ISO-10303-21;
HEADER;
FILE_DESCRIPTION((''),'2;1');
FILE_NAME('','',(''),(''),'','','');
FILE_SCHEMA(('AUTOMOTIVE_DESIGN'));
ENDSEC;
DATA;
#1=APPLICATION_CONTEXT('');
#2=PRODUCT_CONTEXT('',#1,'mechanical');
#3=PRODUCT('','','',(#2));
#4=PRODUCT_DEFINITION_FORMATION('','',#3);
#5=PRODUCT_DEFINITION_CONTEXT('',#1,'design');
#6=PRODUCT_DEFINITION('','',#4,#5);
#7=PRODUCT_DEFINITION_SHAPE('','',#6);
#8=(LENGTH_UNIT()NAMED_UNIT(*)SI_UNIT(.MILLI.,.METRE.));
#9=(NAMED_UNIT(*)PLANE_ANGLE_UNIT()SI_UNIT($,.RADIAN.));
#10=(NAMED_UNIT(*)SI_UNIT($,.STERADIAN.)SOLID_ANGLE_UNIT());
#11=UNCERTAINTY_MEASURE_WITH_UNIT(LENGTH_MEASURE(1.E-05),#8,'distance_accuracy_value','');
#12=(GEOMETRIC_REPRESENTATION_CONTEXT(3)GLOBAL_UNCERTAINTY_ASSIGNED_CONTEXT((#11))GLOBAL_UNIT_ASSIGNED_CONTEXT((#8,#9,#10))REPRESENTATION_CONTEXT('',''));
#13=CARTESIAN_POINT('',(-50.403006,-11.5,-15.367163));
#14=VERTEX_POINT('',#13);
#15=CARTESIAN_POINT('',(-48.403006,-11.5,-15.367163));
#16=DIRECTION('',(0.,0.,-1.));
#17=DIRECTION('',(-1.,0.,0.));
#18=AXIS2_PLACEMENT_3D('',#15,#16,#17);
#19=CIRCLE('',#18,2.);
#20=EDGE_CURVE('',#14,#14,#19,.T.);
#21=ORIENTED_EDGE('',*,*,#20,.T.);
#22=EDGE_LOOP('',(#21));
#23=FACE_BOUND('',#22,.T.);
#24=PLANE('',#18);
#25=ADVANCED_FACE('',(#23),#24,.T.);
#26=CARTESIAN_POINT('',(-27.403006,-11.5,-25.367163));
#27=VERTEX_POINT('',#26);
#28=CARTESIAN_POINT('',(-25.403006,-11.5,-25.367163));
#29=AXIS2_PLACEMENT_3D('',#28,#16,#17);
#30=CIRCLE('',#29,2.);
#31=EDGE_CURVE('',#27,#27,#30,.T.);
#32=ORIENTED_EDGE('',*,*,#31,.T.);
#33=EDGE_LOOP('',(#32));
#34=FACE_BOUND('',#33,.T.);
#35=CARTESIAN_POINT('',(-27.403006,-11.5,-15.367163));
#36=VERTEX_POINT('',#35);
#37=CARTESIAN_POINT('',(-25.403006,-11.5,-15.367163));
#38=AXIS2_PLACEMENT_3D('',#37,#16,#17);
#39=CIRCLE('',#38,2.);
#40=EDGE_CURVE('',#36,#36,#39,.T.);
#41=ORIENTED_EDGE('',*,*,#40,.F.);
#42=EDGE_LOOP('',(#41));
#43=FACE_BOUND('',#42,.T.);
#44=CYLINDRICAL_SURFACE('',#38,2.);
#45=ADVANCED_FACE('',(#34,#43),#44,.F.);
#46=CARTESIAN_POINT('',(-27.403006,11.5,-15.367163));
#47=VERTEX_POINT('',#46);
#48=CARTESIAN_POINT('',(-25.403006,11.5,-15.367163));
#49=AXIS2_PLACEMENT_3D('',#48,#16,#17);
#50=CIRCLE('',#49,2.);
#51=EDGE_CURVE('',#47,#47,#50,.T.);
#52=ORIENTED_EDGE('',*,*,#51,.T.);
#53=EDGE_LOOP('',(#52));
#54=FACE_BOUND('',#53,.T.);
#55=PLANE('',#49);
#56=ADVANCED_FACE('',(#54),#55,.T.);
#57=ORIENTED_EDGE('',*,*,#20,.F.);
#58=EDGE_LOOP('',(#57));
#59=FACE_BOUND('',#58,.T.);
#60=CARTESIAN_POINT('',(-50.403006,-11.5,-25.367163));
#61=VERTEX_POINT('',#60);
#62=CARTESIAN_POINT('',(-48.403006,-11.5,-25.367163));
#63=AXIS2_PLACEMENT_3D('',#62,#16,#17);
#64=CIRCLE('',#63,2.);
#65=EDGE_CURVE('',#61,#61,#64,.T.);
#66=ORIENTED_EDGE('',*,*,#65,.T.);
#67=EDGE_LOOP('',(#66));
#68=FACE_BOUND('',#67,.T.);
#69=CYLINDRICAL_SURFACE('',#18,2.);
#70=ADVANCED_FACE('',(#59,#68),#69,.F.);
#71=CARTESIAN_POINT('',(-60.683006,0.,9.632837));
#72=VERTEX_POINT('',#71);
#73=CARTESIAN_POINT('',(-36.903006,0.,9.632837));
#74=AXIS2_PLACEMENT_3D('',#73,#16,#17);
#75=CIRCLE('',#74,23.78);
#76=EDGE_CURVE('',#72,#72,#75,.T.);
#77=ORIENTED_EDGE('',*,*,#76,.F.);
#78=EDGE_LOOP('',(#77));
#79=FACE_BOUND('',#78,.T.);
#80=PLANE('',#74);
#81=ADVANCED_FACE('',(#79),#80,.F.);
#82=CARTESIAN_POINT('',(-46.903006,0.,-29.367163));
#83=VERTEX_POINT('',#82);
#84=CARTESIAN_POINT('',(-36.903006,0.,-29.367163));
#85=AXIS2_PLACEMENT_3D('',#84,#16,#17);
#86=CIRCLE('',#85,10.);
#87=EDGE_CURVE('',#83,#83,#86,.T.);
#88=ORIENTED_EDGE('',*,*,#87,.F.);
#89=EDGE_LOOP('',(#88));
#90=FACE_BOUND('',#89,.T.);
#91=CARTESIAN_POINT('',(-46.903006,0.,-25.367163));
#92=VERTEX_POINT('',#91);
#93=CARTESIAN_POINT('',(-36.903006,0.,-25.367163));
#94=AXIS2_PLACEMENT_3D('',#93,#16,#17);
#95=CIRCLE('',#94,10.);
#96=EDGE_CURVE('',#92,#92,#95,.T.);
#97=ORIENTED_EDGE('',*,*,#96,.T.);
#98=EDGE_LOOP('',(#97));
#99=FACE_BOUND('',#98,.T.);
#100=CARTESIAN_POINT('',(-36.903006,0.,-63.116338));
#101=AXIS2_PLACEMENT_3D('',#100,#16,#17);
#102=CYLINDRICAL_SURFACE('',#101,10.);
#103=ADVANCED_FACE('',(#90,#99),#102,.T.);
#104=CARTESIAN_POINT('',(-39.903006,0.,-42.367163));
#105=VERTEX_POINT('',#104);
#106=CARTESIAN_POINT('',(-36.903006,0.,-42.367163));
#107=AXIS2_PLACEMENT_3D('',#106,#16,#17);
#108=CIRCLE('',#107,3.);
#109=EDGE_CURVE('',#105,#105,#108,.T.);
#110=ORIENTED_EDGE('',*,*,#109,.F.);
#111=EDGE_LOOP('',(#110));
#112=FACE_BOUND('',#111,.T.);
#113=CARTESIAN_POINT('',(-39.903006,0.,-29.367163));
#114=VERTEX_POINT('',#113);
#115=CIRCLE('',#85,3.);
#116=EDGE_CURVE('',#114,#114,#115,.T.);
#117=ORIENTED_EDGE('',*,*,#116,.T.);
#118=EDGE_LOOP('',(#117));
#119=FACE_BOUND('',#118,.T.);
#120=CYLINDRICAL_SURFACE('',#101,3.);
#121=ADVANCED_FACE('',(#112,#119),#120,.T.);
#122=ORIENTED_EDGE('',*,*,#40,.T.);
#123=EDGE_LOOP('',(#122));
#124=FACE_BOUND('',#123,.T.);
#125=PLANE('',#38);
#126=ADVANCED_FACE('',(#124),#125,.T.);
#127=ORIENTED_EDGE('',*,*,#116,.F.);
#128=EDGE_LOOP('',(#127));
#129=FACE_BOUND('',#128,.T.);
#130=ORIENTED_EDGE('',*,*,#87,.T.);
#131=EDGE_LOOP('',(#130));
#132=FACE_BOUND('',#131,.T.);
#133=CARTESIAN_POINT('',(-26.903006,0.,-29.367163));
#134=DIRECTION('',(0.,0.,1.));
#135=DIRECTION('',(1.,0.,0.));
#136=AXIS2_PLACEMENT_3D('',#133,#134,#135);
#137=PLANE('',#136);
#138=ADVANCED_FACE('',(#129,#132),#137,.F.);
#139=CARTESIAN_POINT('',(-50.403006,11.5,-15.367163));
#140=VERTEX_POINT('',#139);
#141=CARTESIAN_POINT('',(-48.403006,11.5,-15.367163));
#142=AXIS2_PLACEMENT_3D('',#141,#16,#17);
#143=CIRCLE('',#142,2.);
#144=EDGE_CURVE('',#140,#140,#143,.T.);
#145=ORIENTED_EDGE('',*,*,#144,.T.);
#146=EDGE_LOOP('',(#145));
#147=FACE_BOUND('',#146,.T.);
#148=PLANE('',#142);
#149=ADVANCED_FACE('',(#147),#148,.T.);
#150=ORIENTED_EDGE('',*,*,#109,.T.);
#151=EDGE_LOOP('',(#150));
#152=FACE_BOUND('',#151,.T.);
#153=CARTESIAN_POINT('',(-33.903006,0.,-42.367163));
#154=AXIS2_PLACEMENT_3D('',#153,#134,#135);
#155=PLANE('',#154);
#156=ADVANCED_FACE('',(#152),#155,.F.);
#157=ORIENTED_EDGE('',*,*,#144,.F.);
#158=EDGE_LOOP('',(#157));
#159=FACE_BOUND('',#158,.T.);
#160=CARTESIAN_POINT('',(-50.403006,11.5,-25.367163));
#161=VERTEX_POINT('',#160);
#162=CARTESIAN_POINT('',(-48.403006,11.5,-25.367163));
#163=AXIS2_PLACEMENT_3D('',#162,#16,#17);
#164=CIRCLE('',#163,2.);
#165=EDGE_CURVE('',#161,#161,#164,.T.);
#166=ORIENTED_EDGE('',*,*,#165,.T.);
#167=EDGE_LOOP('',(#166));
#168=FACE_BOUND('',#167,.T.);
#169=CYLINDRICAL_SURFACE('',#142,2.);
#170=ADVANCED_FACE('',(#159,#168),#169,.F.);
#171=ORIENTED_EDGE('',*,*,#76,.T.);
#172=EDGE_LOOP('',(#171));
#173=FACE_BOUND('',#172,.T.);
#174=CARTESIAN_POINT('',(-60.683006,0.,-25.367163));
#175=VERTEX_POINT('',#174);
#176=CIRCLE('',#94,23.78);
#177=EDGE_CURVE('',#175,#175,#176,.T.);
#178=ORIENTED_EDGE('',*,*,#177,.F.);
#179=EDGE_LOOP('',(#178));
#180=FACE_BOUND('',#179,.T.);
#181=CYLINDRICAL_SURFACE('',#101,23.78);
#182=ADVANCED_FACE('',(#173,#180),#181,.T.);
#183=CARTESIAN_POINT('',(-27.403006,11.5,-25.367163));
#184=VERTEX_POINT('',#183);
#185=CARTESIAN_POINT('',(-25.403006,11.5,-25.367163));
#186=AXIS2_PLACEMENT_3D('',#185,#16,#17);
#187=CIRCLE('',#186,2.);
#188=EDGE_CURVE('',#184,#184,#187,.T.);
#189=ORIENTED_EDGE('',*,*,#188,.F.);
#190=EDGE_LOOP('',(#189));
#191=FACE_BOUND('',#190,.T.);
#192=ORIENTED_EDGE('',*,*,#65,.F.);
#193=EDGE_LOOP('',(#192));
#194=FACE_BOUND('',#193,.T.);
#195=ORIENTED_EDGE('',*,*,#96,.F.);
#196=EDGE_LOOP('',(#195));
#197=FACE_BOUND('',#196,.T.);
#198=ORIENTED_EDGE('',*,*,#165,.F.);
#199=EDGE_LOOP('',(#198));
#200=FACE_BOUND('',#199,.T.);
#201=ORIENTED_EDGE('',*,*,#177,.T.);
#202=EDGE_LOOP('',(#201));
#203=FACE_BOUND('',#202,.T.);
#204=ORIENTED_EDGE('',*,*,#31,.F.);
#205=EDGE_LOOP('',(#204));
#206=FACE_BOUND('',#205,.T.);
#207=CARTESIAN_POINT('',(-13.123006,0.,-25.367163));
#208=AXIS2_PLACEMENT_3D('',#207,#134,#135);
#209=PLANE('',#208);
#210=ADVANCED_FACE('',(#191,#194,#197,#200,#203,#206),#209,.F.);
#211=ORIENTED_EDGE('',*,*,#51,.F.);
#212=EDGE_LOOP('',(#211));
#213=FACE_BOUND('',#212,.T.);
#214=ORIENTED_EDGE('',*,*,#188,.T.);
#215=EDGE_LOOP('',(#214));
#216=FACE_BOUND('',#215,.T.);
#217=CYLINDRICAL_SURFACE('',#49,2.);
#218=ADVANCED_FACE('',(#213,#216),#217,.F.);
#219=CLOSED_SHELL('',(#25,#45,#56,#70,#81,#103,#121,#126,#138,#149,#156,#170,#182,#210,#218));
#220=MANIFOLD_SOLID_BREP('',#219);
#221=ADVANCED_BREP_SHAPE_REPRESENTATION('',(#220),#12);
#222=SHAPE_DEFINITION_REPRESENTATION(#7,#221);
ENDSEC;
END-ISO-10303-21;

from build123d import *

# Parameters (mm, degrees)
SKETCH2_R          = 2
CUT_EXTRUDE1_DEPTH = 10


with BuildPart() as part:
    # Sketch1 → Revolve1 (revolve)
    with BuildSketch(Plane(origin=(0, 0, 0), x_dir=(1, 0, 0), z_dir=(0, 1, 0)), mode=Mode.PRIVATE) as revolve1_sk:
        Polygon((-36.90300646, -9.632836954), (-13.12300646, -9.632836954), (-13.12300646, 25.367163046), (-26.90300646, 25.367163046), (-26.90300646, 29.367163046), (-33.90300646, 29.367163046), (-33.90300646, 42.367163046), (-36.90300646, 42.367163046), align=None)
    revolve(revolve1_sk.sketch.rotate(Axis((-36.90300646, 0, -63.116337875), (0, 0, 1)), 180), axis=Axis((-36.90300646, 0, -63.116337875), (0, 0, 1)))

    # Sketch2 → Cut-Extrude1 (cut)
    with BuildSketch(Plane(origin=(0, 0, -25.367163046), x_dir=(-1, 0, 0), z_dir=(0, 0, -1))):
        with Locations((25.40300646, 11.5)):
            Circle(SKETCH2_R)
        with Locations((48.40300646, 11.5)):
            Circle(SKETCH2_R)
        with Locations((48.40300646, -11.5)):
            Circle(SKETCH2_R)
        with Locations((25.40300646, -11.5)):
            Circle(SKETCH2_R)
    extrude(amount=-CUT_EXTRUDE1_DEPTH, mode=Mode.SUBTRACT)


solid = part.part
